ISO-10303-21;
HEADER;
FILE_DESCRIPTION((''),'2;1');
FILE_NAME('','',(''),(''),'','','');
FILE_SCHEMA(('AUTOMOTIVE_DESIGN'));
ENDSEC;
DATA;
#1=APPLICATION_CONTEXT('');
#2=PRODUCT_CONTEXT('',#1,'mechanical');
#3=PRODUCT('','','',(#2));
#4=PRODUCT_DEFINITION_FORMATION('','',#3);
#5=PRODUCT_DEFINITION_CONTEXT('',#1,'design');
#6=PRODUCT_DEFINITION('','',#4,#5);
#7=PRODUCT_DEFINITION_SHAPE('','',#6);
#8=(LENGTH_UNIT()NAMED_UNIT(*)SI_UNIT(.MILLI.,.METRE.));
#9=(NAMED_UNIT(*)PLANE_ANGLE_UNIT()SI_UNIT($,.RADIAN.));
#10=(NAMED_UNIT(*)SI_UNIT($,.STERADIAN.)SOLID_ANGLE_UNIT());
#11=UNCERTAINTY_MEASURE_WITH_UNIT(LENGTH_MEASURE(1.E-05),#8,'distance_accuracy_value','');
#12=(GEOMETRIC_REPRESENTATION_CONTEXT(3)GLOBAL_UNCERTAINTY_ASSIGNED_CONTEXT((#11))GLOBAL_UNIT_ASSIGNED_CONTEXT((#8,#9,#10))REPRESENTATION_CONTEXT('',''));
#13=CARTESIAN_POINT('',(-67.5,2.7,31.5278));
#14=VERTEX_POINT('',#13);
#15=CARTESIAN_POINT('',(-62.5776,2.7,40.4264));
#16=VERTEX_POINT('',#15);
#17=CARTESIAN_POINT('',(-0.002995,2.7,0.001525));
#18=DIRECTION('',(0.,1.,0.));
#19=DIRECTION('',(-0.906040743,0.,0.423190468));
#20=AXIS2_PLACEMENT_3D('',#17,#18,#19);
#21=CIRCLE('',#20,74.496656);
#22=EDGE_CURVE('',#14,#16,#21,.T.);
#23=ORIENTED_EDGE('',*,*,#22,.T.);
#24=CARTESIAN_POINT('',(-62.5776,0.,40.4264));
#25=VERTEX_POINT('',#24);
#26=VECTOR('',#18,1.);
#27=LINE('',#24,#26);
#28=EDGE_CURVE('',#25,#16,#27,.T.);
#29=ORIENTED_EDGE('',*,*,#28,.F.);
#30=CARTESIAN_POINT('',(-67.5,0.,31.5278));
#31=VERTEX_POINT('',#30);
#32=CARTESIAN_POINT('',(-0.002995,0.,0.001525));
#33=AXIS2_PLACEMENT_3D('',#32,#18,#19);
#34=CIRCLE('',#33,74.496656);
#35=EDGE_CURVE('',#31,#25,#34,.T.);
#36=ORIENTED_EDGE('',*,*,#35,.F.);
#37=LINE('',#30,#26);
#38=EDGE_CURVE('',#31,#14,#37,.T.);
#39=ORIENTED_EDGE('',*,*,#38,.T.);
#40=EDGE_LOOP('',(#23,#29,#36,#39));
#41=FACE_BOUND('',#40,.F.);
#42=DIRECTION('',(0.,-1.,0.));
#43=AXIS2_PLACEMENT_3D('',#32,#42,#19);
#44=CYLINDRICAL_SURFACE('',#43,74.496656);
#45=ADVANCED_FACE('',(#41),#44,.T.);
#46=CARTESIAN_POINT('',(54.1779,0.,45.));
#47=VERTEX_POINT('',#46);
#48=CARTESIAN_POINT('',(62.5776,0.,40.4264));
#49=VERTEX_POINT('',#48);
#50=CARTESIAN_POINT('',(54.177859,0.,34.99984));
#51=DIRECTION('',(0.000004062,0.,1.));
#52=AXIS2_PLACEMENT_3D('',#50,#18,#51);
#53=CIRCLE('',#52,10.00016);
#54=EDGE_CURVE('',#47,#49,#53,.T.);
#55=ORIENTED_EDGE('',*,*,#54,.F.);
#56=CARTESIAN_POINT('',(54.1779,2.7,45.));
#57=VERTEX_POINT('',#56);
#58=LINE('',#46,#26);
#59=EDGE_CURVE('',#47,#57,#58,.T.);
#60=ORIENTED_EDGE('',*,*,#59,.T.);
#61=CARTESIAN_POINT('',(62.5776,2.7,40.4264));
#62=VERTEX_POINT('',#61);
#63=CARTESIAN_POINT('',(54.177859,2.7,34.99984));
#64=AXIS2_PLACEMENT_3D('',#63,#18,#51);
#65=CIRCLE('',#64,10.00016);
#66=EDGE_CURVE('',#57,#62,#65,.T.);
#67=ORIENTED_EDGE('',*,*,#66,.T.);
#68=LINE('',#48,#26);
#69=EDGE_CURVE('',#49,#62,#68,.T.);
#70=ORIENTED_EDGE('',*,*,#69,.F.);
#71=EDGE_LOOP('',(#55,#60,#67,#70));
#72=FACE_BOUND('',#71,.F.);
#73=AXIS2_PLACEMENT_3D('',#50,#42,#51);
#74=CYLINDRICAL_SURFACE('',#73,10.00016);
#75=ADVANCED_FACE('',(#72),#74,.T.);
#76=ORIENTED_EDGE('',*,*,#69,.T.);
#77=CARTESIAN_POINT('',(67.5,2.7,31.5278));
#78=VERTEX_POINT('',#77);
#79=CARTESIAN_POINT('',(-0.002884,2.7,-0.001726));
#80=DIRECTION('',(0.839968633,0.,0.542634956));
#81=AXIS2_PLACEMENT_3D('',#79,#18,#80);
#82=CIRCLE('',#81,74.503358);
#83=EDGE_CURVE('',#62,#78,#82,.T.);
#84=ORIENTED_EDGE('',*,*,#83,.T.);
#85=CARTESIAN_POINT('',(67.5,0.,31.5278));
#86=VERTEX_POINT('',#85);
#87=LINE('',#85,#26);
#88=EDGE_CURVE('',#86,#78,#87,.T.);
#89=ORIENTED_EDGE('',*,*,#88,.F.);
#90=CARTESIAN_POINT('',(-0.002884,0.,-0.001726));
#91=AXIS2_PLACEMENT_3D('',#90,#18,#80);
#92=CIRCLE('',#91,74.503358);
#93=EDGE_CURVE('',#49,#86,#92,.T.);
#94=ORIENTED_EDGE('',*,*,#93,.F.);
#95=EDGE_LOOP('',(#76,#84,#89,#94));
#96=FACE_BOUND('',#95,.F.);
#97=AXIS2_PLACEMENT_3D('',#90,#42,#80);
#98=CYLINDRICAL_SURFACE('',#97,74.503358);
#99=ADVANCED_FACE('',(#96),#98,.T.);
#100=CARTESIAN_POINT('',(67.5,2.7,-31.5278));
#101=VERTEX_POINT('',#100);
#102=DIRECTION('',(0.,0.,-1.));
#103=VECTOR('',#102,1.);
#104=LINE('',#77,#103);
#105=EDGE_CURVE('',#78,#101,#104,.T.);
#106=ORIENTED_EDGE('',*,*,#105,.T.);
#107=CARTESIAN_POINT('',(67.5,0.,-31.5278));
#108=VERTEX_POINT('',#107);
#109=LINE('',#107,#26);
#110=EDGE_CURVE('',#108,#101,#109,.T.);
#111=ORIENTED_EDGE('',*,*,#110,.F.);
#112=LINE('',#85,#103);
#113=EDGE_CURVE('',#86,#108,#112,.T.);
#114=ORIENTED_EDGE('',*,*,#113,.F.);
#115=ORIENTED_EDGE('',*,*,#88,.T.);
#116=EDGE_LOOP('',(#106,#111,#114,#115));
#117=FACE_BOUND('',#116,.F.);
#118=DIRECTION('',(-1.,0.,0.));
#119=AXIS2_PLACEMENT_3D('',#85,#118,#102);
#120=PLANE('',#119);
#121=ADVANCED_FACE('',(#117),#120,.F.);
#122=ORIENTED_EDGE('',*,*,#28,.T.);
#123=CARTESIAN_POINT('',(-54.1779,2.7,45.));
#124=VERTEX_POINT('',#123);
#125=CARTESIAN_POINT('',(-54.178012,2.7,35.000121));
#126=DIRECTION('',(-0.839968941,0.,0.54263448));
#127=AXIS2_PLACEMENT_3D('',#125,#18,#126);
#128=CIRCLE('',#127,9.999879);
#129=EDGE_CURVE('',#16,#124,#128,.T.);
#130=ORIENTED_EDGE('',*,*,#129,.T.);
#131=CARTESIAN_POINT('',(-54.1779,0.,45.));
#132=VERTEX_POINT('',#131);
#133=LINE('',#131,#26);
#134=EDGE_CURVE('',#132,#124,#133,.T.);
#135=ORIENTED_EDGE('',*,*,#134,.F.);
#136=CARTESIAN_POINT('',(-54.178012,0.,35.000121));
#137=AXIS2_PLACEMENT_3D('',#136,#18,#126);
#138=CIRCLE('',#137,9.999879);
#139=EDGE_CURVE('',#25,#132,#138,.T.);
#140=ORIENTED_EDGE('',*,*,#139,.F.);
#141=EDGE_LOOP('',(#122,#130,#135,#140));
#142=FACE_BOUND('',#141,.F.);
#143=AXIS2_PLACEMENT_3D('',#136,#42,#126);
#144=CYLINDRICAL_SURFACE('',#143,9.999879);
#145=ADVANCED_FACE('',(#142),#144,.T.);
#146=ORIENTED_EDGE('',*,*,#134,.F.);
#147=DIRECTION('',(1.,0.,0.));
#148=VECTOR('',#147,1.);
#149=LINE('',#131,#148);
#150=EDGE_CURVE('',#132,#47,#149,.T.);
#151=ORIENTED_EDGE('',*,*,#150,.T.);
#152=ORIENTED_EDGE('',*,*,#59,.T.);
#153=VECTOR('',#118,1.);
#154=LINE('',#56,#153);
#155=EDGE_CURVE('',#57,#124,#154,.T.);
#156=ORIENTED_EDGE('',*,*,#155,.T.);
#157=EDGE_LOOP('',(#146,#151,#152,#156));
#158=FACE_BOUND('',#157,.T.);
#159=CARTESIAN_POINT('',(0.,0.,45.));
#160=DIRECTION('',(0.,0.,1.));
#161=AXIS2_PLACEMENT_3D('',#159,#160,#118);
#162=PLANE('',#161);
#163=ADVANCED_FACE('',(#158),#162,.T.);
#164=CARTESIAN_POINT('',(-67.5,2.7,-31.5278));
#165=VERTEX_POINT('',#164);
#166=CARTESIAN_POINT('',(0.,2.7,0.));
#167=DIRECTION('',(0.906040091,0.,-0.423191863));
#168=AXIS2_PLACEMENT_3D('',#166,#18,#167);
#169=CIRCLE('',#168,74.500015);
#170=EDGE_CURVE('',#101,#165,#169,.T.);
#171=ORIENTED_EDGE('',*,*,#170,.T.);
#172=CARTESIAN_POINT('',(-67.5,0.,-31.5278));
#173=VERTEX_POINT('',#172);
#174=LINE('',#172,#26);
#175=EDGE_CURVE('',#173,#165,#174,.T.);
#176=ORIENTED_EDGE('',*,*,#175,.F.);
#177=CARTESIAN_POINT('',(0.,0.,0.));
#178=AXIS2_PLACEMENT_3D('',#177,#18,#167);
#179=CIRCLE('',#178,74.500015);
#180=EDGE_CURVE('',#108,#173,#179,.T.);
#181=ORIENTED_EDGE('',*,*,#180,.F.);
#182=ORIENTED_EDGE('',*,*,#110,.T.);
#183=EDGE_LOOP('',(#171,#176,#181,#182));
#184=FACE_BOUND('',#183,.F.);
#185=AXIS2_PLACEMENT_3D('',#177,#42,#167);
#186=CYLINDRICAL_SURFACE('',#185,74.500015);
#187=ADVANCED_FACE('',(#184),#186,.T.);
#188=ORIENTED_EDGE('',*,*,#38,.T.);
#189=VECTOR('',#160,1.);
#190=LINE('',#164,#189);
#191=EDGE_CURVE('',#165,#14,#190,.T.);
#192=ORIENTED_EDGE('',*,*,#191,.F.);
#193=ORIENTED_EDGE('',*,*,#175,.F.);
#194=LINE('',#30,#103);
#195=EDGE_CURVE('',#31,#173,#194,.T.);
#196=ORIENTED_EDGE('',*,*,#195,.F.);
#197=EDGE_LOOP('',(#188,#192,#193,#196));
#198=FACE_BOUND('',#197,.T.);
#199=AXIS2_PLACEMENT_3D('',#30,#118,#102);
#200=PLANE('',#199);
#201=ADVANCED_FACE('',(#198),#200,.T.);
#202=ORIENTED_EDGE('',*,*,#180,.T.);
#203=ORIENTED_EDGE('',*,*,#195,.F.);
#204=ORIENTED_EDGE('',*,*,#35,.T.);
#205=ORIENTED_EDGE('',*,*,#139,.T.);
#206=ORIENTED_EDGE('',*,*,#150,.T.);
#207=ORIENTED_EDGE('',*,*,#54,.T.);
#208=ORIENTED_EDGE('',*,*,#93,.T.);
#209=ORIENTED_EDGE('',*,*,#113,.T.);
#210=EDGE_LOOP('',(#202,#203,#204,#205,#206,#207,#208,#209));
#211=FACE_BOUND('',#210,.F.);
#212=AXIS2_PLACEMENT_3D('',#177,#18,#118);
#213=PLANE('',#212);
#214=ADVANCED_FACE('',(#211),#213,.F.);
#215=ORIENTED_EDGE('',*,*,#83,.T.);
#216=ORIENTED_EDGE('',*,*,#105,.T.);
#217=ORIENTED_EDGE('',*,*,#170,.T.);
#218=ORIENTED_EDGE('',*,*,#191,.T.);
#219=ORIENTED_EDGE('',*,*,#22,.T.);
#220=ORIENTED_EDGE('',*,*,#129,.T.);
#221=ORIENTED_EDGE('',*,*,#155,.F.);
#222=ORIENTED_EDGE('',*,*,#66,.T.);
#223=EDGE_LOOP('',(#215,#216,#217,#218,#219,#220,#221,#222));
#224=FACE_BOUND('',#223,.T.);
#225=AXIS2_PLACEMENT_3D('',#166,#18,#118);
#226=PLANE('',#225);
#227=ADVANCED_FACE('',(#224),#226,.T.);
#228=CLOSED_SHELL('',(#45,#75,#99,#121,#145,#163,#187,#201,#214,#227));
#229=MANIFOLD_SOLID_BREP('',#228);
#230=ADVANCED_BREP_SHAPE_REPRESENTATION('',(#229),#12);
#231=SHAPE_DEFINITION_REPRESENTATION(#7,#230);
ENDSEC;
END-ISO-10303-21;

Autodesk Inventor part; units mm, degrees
ref_plane "YZ Plane" through (0, 0, 0) normal (1, 0, 0) x (0, 1, 0)
ref_plane "XZ Plane" through (0, 0, 0) normal (0, 1, 0) x (-1, 0, 0)
ref_plane "XY Plane" through (0, 0, 0) normal (0, 0, 1) x (1, 0, 0)
sketch "Sketch3" plane through (0, 0, 0) normal (0, 1, 0) x (-1, 0, 0)
  line L0 (0, 0) -> (67.5, 0)
  line L1 (0, 0) -> (0, 45)
  line L2 (67.5, 31.5278) -> (67.5, -31.5278)
  line L3 (0, 45) -> (54.1779, 45)
  line L4 (-67.5, 31.5278) -> (-67.5, -31.5278)
  line L5 (0, 45) -> (-54.1779, 45)
  arc A0 (67.5, 31.5278) -> (62.5776, 40.4264) centre (0, 0) ccw
  arc A1 (-62.5776, 40.4264) -> (-67.5, 31.5278) centre (0, 0) ccw
  arc A2 (-67.5, -31.5278) -> (67.5, -31.5278) centre (0, 0) ccw
  arc A3 (62.5776, 40.4264) -> (54.1779, 45) centre (54.1779, 35) ccw
  arc A4 (-54.1779, 45) -> (-62.5776, 40.4264) centre (-54.1779, 35) ccw
  point P0 (59.3738, 45)
  point P1 (-59.3738, 45)
  dimension "d28" = 67.5
  dimension "d29" = 45
  dimension "d30" = 10
  dimension "d31" = 10
  dimension "d32" = 74.5
  dimension "d34" = 67.5
  dimension "d35" = 74.5
extrude "Extrusion2" add sketch "Sketch3" along normal blind 2.7
properties part number "tapa_carcasa_4.0"
